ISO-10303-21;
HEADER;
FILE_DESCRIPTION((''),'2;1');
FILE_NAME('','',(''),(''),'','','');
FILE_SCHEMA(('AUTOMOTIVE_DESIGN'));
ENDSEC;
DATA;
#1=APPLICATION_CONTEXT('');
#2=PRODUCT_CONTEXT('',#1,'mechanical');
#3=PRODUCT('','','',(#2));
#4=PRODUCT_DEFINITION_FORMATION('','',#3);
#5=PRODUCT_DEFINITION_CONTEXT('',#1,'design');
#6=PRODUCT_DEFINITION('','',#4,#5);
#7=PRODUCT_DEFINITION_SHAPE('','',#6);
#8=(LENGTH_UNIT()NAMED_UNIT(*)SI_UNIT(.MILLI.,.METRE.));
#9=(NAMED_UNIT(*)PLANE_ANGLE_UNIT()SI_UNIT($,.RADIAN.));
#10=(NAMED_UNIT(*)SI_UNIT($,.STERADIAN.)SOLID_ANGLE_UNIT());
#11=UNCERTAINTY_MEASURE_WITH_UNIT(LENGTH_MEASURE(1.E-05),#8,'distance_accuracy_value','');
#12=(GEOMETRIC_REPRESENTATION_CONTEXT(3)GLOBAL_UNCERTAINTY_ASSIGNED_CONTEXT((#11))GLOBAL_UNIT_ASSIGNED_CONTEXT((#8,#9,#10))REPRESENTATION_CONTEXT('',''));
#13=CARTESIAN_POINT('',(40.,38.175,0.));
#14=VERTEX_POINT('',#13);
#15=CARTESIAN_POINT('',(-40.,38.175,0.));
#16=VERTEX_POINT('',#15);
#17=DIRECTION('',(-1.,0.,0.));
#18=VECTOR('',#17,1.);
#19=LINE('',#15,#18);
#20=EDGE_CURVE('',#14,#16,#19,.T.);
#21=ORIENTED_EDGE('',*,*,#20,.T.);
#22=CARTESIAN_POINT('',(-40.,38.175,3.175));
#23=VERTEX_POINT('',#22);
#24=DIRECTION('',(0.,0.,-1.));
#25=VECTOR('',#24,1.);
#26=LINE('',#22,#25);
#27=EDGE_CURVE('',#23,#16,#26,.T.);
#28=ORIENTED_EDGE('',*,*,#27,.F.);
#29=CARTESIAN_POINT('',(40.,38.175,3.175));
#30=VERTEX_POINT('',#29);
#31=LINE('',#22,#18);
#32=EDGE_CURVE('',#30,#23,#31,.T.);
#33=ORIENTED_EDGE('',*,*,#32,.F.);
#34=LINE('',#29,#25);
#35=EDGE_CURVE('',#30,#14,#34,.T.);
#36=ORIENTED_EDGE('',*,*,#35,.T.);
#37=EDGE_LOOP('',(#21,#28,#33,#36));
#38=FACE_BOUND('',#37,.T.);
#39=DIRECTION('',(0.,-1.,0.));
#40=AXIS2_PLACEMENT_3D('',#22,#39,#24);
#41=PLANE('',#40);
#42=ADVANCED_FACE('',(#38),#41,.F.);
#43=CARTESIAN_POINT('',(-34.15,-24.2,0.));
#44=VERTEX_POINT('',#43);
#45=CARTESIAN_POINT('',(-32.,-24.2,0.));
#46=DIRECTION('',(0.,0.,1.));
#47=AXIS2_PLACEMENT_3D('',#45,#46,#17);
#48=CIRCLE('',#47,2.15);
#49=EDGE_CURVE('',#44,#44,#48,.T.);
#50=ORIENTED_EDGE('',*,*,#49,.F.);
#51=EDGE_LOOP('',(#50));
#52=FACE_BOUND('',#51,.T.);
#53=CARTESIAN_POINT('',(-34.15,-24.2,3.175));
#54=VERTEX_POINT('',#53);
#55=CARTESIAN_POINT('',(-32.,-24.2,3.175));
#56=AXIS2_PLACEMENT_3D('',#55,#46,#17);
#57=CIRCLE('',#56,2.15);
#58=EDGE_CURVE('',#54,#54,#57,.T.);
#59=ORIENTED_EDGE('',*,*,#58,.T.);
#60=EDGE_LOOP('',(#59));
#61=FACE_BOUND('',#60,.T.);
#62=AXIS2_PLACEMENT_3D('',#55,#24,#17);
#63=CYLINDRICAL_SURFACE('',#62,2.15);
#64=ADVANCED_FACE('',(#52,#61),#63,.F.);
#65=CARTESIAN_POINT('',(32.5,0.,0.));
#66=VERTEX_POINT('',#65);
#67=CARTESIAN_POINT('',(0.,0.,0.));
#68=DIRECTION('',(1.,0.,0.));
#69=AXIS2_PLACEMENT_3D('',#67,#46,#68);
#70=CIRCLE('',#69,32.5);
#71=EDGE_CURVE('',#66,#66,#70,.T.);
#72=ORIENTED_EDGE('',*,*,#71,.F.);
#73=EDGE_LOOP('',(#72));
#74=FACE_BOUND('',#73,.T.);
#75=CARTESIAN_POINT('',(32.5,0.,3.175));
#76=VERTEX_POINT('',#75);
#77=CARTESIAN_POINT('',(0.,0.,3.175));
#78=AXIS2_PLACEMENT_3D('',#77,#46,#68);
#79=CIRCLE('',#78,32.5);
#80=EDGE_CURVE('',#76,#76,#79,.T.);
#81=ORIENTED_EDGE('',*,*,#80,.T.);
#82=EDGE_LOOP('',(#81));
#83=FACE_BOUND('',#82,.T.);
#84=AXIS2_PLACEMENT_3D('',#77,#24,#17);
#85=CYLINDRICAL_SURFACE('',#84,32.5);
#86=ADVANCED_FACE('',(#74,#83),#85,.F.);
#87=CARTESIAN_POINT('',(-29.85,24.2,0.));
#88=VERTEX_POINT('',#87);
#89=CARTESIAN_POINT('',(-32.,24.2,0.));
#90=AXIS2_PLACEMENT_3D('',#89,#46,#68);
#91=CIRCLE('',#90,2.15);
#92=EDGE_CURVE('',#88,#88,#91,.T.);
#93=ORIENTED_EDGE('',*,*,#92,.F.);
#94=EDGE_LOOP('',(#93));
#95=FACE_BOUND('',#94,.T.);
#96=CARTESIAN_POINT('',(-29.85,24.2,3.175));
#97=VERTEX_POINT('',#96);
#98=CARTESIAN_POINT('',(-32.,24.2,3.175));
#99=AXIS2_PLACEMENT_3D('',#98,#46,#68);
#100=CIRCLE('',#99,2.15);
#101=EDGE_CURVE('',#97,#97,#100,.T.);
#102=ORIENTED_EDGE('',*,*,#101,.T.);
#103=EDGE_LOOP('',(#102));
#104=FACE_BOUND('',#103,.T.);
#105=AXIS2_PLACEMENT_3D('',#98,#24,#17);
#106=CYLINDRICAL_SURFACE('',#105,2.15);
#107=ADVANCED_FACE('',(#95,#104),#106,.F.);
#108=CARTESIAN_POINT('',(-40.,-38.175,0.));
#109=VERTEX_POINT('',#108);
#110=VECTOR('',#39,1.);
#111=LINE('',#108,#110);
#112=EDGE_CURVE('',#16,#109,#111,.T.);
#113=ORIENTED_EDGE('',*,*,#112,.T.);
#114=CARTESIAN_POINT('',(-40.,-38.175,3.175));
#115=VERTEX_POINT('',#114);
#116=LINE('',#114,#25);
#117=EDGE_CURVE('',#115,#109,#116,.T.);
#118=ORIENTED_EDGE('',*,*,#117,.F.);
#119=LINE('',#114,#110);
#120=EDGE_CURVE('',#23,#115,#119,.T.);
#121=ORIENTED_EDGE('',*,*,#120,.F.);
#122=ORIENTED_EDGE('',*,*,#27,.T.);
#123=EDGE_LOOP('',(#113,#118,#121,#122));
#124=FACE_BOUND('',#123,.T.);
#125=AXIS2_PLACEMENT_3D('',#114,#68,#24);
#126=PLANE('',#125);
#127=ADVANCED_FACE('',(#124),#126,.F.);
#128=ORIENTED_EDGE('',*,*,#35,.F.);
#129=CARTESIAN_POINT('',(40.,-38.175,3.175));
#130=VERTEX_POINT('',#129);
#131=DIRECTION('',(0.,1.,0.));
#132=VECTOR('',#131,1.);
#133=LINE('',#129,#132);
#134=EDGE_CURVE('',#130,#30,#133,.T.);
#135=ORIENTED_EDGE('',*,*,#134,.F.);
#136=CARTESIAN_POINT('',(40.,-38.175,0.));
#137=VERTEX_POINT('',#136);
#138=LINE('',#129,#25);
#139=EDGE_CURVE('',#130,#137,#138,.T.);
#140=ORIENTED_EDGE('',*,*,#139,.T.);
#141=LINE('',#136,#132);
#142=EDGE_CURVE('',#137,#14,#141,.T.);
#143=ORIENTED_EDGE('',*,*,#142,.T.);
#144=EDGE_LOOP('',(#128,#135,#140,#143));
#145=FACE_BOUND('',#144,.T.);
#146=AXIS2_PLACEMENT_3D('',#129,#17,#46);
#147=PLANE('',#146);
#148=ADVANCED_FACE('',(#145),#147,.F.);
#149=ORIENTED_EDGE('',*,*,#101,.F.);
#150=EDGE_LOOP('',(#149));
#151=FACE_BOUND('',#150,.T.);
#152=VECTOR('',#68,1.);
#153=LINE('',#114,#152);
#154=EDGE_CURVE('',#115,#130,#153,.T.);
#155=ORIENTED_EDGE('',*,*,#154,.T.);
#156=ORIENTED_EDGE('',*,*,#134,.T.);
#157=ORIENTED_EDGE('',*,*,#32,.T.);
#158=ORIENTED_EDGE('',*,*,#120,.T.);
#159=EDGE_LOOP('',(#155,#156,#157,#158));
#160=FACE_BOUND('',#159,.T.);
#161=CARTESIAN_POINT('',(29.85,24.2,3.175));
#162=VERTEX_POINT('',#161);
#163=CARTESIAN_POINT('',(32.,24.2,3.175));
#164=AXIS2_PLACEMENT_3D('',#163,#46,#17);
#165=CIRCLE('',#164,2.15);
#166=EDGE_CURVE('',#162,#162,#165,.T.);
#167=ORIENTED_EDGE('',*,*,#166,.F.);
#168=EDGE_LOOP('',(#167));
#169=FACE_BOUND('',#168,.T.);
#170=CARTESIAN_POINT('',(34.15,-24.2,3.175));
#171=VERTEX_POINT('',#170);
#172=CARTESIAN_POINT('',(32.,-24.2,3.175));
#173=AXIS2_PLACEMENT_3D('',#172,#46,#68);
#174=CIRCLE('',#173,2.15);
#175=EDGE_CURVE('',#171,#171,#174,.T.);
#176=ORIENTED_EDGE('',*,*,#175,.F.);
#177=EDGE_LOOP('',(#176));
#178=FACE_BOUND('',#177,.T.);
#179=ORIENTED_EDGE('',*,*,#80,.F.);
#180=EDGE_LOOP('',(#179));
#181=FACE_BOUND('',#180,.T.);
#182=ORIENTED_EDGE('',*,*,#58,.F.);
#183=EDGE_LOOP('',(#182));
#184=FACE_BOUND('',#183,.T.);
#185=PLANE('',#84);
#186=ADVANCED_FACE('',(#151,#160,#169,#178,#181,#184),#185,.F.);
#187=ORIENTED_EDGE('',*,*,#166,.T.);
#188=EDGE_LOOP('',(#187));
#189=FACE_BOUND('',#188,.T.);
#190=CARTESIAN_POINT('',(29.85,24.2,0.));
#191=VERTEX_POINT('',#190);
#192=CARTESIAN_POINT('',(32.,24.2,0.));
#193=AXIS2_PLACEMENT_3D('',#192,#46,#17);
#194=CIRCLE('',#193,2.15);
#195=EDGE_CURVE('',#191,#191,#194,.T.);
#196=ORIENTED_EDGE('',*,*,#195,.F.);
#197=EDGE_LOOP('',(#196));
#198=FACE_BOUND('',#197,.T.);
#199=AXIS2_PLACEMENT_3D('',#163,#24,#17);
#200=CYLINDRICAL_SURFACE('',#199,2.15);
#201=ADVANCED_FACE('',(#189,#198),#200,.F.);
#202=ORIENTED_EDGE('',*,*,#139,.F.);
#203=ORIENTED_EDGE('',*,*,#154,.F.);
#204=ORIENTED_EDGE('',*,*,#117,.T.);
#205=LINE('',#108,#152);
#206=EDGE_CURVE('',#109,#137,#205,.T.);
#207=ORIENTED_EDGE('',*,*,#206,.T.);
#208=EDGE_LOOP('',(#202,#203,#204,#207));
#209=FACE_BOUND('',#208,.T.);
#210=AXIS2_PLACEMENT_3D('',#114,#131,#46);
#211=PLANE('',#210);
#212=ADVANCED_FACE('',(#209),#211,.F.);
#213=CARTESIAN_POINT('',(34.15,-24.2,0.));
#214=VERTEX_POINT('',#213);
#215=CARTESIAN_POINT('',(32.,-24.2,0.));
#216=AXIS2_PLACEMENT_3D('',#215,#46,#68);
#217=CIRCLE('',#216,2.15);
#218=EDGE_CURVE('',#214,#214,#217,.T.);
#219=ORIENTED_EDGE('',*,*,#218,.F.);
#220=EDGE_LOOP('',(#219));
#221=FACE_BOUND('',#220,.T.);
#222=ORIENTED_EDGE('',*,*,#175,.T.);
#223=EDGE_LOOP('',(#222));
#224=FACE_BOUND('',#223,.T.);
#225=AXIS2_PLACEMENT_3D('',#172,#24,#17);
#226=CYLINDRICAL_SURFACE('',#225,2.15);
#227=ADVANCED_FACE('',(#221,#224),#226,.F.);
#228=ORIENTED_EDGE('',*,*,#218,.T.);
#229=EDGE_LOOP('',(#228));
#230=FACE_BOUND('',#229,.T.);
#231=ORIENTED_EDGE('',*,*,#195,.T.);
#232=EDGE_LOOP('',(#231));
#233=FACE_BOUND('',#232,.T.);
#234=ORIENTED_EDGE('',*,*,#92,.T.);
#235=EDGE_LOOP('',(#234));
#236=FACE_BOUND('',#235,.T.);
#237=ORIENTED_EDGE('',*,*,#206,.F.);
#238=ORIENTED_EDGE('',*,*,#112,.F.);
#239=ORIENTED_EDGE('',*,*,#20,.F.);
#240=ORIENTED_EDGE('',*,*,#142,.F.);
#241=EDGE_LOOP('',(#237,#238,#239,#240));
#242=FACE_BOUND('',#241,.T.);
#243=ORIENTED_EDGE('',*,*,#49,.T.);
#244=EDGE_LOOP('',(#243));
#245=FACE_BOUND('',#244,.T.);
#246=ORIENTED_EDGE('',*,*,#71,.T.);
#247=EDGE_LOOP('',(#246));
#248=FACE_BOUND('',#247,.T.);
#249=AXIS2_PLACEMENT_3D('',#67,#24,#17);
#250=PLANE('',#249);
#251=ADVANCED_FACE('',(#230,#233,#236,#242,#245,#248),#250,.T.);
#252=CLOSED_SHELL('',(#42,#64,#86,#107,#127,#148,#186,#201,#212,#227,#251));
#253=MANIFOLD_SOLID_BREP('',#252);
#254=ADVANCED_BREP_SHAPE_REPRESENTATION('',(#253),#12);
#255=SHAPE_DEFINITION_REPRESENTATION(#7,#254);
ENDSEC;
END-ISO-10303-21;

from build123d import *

# Parameters (mm, degrees)
SKETCH1_W           = 80
SKETCH1_H           = 76.35
SKETCH1_R           = 32.5
SKETCH1_R_2         = 2.15
BOSS_EXTRUDE1_DEPTH = 3.175


with BuildPart() as part:
    # Sketch1 → Boss-Extrude1 (new body)
    with BuildSketch(Plane.XY):
        Rectangle(SKETCH1_W, SKETCH1_H)
        Circle(SKETCH1_R, mode=Mode.SUBTRACT)
        with Locations((-32, 24.2)):
            Circle(SKETCH1_R_2, mode=Mode.SUBTRACT)
        with Locations(Location((-32, -24.2, 0), (0, 0, 180))):
            Circle(SKETCH1_R_2, mode=Mode.SUBTRACT)
        with Locations((32, -24.2)):
            Circle(SKETCH1_R_2, mode=Mode.SUBTRACT)
        with Locations(Location((32, 24.2, 0), (0, 0, 180))):
            Circle(SKETCH1_R_2, mode=Mode.SUBTRACT)
    extrude(amount=BOSS_EXTRUDE1_DEPTH)


solid = part.part
